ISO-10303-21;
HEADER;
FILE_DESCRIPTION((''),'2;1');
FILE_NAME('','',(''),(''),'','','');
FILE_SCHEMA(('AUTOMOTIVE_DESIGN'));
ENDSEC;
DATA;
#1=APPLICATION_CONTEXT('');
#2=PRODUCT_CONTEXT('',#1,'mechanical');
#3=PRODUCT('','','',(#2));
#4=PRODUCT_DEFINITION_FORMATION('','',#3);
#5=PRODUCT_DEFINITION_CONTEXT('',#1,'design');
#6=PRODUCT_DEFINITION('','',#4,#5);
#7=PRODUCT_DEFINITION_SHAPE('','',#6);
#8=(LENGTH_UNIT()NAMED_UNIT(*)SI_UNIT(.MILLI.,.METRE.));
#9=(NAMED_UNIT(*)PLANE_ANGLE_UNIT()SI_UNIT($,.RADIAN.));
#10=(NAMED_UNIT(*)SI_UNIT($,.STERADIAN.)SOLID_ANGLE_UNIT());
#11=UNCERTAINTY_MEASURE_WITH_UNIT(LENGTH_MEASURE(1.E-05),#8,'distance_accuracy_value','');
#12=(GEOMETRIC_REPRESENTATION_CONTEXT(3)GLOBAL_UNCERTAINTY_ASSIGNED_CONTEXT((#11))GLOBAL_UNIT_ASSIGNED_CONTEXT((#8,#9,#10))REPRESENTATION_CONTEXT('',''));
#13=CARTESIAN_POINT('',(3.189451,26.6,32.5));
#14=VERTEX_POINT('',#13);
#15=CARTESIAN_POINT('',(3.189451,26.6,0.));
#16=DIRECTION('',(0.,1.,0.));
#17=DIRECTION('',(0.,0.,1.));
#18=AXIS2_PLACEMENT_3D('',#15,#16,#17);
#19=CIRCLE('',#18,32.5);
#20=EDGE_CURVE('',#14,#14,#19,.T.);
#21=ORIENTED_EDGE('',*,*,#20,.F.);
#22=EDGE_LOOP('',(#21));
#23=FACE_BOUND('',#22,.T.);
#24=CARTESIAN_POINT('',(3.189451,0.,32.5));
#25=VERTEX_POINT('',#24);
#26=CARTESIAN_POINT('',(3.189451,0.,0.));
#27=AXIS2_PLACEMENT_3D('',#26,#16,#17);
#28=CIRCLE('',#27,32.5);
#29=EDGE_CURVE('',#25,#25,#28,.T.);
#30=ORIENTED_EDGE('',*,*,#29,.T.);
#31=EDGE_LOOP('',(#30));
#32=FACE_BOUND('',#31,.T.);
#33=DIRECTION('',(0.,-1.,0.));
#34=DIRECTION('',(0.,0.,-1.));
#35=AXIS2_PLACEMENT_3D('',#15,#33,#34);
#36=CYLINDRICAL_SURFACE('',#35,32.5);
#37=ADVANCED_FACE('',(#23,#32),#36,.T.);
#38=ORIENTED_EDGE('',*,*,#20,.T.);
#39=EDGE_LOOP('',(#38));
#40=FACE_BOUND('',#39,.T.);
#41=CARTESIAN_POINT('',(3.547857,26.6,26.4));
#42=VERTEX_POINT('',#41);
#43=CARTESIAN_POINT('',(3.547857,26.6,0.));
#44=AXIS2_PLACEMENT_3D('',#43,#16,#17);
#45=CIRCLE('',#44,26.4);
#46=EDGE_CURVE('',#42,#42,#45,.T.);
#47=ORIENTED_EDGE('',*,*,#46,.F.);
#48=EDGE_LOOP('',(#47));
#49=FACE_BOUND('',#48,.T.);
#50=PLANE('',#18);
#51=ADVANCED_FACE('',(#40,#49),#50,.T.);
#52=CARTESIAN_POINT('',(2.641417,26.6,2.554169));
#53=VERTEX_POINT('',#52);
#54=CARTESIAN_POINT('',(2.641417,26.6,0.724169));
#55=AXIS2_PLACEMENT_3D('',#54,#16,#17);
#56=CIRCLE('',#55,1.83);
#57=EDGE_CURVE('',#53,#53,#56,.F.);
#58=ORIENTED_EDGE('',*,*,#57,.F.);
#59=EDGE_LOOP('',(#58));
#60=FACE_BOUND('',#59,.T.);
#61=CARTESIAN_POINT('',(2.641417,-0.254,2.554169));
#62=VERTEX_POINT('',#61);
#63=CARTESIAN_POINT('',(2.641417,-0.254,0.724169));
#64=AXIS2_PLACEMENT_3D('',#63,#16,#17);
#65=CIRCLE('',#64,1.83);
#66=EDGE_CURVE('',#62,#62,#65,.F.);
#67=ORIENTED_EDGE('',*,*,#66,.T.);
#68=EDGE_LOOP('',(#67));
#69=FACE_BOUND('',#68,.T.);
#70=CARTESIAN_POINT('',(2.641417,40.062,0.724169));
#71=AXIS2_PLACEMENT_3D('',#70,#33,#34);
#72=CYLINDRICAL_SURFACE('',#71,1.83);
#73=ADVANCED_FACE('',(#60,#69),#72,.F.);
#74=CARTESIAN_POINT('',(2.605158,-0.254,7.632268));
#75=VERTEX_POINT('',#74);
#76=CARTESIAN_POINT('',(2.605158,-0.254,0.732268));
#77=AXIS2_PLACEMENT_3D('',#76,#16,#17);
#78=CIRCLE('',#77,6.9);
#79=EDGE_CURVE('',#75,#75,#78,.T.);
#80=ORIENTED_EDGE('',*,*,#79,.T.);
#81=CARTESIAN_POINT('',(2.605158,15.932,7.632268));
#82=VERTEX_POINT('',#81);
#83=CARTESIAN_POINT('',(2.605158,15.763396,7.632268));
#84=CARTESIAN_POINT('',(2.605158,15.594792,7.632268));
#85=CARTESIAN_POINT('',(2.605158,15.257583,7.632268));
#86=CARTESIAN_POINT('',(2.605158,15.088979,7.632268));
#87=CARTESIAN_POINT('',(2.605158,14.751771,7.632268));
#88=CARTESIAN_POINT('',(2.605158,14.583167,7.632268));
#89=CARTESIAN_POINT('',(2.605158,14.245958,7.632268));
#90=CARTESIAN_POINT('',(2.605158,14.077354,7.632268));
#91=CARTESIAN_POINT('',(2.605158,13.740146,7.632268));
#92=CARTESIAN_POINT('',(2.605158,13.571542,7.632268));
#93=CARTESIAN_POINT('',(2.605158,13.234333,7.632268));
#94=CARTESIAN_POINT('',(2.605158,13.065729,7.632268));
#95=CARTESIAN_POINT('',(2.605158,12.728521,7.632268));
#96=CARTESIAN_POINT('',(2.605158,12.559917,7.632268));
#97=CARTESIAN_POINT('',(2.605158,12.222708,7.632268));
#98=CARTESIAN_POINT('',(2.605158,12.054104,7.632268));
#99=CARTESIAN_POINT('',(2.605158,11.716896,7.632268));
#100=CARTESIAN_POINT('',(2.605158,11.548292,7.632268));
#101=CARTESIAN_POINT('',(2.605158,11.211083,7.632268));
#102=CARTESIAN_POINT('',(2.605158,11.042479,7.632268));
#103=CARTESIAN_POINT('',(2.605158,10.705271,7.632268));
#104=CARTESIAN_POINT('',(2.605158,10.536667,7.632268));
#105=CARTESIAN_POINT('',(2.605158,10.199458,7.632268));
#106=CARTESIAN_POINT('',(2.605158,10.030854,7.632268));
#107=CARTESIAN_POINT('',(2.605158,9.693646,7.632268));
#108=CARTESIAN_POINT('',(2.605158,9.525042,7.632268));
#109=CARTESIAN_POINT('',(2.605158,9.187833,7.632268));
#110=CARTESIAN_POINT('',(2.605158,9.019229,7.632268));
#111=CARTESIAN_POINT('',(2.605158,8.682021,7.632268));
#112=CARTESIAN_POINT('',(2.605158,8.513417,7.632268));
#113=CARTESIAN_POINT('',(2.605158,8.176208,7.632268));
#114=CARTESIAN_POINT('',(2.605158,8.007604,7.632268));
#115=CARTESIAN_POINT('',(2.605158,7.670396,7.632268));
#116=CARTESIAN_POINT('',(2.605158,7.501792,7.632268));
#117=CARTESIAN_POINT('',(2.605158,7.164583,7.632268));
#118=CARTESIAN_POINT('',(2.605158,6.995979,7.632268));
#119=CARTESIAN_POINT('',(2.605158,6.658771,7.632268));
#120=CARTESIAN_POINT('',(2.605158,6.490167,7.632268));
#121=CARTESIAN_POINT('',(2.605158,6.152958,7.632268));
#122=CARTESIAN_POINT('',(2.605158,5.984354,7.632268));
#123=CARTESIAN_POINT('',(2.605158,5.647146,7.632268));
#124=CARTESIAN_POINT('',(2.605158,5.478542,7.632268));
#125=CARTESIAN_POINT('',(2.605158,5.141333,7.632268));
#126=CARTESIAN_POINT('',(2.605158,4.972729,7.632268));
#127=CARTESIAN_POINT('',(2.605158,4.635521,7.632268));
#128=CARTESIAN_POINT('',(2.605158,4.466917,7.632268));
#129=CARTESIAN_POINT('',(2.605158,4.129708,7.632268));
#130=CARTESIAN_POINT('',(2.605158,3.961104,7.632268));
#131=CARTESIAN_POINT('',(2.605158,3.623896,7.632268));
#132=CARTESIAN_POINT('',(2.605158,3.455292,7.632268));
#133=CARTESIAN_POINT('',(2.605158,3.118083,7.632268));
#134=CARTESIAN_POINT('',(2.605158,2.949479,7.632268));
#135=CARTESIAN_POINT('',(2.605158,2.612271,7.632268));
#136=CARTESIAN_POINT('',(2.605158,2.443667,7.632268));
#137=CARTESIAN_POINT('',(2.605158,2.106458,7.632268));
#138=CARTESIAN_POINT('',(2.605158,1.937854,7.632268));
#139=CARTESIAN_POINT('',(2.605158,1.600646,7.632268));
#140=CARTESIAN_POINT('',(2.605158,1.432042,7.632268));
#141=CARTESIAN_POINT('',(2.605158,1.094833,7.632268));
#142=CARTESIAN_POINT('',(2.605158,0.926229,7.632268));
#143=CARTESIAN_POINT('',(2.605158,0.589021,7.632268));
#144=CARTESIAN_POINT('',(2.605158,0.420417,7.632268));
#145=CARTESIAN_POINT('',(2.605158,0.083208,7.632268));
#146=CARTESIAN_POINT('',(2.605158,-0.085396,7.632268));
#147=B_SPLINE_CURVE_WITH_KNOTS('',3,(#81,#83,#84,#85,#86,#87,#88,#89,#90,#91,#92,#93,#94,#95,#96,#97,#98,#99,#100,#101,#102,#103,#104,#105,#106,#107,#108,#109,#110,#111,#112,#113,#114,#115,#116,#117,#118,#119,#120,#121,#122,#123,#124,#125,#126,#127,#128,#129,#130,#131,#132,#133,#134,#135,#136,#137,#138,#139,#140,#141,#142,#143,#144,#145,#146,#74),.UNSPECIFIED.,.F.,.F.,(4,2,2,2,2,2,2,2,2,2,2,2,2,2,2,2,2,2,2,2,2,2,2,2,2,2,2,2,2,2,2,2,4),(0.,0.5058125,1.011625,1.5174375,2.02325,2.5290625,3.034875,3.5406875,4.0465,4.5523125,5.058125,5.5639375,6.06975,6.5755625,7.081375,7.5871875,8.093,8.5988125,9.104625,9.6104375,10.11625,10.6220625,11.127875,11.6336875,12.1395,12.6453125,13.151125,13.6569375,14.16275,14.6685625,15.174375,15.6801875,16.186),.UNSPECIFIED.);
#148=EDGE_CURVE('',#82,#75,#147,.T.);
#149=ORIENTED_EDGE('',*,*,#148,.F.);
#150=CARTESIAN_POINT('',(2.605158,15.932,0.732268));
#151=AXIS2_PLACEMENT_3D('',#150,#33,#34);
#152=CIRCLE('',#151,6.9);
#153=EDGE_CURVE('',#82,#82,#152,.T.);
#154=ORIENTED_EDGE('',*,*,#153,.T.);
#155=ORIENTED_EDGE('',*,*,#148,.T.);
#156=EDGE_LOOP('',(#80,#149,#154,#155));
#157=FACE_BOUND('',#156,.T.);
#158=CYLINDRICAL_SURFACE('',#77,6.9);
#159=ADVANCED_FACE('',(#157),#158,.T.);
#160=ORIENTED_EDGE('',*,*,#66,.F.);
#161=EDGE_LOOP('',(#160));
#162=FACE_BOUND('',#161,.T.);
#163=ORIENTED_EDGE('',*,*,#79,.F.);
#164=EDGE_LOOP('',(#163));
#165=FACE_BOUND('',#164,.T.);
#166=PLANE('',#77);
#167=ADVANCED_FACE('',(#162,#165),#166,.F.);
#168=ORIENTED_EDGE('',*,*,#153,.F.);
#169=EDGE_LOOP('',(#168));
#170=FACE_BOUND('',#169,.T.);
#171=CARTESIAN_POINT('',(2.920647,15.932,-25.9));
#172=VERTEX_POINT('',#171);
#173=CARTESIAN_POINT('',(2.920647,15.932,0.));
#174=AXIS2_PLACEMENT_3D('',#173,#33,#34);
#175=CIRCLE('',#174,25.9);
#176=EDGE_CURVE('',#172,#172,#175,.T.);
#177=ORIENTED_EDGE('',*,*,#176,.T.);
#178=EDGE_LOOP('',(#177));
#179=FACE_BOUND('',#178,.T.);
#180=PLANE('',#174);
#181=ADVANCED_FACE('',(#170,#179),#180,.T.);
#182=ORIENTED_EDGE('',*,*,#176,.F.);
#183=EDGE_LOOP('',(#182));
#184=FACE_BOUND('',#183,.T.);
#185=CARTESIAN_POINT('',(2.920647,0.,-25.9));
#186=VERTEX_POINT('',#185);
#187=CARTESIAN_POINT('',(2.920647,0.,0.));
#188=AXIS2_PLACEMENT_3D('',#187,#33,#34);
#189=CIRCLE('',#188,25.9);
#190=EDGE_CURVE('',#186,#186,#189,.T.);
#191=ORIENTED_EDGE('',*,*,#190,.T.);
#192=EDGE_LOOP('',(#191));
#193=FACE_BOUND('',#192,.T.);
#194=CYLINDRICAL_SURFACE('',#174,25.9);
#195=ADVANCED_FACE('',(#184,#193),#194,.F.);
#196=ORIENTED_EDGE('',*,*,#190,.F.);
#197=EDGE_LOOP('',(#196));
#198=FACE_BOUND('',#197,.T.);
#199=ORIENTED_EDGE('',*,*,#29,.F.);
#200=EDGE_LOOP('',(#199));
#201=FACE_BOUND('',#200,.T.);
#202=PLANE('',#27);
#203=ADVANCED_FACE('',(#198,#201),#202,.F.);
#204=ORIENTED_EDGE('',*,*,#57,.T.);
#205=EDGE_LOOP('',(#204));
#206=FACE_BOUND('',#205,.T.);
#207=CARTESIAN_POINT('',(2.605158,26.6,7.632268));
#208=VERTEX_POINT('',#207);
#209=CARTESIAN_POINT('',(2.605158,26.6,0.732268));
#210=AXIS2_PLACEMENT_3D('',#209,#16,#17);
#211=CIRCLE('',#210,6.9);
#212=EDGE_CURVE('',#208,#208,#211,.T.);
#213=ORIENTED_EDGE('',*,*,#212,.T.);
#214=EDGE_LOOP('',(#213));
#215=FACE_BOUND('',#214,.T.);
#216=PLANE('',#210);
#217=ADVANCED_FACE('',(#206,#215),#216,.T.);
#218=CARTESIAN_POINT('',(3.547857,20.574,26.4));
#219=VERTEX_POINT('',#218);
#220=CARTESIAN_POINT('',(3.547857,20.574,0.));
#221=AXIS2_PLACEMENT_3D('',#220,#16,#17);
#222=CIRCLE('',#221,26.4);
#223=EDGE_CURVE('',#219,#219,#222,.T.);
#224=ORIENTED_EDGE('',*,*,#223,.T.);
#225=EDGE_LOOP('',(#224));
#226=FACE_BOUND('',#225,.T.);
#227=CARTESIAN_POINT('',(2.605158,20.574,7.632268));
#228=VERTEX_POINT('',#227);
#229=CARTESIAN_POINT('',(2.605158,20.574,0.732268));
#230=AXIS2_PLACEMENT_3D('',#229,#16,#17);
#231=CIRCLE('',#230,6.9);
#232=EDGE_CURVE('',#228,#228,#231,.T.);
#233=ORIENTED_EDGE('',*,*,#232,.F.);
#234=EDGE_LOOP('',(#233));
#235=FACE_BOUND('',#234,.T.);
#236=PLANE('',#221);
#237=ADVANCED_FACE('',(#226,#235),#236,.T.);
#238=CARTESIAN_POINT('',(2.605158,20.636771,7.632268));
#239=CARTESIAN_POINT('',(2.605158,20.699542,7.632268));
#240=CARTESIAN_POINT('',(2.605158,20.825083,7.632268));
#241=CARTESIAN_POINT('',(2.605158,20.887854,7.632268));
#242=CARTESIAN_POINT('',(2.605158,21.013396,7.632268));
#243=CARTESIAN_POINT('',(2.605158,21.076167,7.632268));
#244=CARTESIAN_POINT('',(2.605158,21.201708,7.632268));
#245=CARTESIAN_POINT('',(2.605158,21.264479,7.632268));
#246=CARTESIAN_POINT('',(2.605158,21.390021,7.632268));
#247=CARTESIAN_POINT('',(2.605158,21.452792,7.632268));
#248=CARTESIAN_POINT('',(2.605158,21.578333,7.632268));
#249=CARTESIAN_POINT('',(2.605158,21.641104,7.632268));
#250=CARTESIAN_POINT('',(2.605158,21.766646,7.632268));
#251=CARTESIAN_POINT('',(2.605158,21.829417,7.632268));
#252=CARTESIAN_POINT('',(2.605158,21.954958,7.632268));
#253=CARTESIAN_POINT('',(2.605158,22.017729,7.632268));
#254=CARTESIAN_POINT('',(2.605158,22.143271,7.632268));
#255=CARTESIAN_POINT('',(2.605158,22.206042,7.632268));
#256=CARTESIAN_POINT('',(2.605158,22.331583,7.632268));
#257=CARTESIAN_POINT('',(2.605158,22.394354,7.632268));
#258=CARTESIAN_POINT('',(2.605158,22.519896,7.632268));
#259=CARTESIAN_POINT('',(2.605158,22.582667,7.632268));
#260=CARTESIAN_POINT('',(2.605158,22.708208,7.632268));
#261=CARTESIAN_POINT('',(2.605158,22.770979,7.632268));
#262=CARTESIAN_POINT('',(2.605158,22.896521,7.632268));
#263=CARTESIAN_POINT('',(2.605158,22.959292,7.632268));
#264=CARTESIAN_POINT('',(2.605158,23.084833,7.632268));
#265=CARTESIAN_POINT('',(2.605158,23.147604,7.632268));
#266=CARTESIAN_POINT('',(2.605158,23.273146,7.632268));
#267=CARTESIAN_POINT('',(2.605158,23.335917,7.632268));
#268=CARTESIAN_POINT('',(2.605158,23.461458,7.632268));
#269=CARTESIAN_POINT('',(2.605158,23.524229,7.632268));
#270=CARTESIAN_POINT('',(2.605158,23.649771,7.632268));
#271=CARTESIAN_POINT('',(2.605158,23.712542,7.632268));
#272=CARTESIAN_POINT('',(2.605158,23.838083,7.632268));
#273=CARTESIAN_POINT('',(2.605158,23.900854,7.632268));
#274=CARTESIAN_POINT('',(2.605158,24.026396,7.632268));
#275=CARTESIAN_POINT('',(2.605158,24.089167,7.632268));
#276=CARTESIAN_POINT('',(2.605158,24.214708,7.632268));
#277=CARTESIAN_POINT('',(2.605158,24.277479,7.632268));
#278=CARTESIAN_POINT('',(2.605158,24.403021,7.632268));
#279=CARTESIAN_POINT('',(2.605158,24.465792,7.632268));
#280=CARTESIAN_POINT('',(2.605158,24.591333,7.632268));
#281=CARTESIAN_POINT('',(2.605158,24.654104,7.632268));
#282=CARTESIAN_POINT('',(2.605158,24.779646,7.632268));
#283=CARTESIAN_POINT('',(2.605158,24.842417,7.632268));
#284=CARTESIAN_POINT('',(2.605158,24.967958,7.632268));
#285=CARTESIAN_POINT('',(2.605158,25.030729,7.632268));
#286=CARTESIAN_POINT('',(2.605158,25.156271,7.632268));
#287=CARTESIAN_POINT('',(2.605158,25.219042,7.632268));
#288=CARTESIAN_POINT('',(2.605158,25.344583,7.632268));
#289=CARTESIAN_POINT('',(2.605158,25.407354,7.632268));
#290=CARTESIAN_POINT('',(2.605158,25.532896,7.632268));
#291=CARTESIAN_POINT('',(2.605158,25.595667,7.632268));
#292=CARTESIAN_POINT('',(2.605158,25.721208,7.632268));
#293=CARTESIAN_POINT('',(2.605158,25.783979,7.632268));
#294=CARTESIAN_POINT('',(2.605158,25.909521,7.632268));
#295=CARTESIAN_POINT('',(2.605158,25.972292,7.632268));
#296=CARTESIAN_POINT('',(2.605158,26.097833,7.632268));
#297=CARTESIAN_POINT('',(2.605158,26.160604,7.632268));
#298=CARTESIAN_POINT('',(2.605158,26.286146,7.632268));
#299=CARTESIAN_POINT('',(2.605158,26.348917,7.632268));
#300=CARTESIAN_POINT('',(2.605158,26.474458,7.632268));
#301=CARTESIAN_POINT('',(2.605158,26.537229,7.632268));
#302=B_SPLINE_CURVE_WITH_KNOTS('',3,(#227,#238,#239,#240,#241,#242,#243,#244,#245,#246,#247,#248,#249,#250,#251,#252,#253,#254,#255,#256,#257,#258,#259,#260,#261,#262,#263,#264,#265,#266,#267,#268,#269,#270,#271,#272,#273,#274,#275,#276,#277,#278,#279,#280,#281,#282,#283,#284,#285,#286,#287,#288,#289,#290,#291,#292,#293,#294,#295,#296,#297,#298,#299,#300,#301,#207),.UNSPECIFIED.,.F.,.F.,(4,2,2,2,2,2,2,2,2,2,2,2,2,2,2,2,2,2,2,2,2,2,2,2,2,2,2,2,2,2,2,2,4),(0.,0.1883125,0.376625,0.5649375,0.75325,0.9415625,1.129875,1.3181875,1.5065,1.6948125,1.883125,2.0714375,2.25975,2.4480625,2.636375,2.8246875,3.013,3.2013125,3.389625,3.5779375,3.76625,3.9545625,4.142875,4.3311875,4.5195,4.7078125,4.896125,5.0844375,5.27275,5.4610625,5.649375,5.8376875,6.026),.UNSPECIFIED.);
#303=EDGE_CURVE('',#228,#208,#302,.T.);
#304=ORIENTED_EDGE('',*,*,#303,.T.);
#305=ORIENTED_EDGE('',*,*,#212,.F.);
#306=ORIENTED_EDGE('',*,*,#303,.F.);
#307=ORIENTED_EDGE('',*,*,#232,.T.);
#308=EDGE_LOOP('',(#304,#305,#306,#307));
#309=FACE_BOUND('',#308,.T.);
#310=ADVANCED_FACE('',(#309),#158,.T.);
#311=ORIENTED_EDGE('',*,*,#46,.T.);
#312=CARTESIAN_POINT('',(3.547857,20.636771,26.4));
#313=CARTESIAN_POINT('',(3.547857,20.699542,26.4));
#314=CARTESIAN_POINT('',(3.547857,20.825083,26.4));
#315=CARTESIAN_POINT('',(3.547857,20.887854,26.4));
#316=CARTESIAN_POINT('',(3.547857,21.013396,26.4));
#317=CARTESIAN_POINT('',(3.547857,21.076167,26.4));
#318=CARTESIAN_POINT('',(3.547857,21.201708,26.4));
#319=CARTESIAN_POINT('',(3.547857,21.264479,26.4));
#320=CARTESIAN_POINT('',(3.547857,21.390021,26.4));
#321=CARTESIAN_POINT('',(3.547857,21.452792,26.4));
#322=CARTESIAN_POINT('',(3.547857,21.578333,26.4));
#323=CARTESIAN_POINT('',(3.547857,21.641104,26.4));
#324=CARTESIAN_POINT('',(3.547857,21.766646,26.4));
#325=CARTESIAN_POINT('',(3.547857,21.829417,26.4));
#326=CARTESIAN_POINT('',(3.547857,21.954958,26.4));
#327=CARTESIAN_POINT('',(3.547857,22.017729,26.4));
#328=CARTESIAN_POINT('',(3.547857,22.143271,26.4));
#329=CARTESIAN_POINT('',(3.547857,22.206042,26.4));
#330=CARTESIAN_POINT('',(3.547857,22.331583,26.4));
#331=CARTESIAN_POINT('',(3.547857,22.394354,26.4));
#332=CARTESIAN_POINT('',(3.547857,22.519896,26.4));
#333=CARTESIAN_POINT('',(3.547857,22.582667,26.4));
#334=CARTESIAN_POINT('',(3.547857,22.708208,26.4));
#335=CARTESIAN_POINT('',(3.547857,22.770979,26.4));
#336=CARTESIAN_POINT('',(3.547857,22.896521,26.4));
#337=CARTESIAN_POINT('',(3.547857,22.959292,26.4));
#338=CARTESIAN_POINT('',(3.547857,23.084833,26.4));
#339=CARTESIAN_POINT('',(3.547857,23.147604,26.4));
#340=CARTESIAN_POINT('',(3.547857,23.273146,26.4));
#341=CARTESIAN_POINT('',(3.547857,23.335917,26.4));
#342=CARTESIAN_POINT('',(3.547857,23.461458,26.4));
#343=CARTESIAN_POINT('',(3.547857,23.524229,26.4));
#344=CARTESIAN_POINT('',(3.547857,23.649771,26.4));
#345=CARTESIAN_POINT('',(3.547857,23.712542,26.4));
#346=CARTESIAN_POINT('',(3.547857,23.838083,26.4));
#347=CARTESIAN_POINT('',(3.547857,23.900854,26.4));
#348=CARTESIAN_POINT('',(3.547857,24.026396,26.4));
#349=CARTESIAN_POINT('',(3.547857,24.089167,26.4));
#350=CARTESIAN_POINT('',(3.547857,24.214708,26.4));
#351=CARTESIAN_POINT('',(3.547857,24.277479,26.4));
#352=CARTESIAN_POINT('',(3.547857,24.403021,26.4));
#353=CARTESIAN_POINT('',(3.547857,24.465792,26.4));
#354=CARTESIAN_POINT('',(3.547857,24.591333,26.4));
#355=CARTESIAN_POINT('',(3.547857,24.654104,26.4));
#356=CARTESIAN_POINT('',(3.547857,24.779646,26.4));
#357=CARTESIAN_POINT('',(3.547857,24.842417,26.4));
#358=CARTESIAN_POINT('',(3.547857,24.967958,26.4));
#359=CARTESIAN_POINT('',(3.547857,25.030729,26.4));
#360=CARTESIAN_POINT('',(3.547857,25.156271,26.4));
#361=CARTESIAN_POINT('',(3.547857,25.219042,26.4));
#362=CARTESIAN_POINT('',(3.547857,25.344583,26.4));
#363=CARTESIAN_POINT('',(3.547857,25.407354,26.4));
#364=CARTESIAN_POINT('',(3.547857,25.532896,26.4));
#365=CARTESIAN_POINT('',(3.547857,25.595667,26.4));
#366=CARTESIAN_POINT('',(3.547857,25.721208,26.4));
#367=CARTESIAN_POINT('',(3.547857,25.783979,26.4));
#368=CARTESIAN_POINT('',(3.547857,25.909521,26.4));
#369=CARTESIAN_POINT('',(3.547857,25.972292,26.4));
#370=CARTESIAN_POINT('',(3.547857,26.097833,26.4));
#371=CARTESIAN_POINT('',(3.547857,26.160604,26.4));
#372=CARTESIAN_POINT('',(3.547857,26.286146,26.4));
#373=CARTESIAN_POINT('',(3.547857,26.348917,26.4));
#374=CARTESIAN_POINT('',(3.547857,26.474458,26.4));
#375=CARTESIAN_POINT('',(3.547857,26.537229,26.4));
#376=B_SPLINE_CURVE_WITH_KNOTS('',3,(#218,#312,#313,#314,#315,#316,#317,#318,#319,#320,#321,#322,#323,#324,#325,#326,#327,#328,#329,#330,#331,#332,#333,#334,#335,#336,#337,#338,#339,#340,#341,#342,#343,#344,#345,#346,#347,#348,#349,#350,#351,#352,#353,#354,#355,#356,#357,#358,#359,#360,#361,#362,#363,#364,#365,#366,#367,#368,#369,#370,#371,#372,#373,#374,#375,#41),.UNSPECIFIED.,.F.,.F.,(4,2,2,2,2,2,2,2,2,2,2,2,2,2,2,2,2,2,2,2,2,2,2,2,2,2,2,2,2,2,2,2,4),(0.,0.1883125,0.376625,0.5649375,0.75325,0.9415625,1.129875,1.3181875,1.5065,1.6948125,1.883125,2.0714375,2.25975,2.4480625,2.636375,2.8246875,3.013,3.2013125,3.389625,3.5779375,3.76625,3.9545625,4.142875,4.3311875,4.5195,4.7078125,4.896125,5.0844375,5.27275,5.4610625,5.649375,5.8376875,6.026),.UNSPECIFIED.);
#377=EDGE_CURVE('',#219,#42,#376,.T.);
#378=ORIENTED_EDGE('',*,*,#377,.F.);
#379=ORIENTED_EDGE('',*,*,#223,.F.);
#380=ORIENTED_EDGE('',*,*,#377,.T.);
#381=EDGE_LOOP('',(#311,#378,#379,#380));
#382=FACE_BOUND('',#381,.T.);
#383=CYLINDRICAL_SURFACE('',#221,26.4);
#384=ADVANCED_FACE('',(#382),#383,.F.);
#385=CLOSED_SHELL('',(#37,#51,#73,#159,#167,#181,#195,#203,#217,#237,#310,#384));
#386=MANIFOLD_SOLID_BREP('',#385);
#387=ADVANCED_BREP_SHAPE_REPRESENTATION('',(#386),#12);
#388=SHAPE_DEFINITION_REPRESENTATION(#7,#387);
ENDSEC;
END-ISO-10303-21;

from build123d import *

# Parameters (mm, degrees)
SKETCH1_R                = 32.5
BOSS_EXTRUDE1_DEPTH      = 26.6
SKETCH2_R                = 26.4
CUT_EXTRUDE1_DEPTH       = 6.026
SKETCH5_R                = 25.9
CUT_EXTRUDE2_DEPTH       = 15.932
BOSS_EXTRUDE2_DEPTH      = 6.026
BOSS_EXTRUDE2_DEPTH_BACK = 20.828
SKETCH6_R                = 6.9
CUT_EXTRUDE3_DEPTH       = 13.462
CUT_EXTRUDE3_DEPTH_BACK  = 49.714
SKETCH7_R                = 1.83


with BuildPart() as part:
    # Sketch1 → Boss-Extrude1 (new body)
    with BuildSketch(Plane(origin=(0, 0, 0), x_dir=(1, 0, 0), z_dir=(0, 1, 0))):
        with Locations(Location((3.189451159, 0, 0), (0, 0, 270))):
            Circle(SKETCH1_R)
    extrude(amount=BOSS_EXTRUDE1_DEPTH)

    # Sketch2 → Cut-Extrude1 (cut)
    with BuildSketch(Plane(origin=(0, 26.6, 0), x_dir=(1, 0, 0), z_dir=(0, 1, 0))):
        with Locations(Location((3.547856728, 0, 0), (0, 0, 270))):
            Circle(SKETCH2_R)
    extrude(amount=-CUT_EXTRUDE1_DEPTH, mode=Mode.SUBTRACT)

    # Sketch5 → Cut-Extrude2 (cut)
    with BuildSketch(Plane.XZ):
        with Locations(Location((2.920646982, 0, 0), (0, 0, 270))):
            Circle(SKETCH5_R)
    extrude(amount=-CUT_EXTRUDE2_DEPTH, mode=Mode.SUBTRACT)

    # Sketch6 → Boss-Extrude2 (add, two sides: drawn at the far end of the back side and taken through both)
    with BuildSketch(Plane(origin=(0, 20.574, 0), x_dir=(1, 0, 0), z_dir=(0, 1, 0)).offset(-BOSS_EXTRUDE2_DEPTH_BACK)):
        with Locations(Location((2.605158488, -0.732268174, 0), (0, 0, 270))):
            Circle(SKETCH6_R)
    extrude(amount=BOSS_EXTRUDE2_DEPTH + BOSS_EXTRUDE2_DEPTH_BACK)

    # Sketch7 → Cut-Extrude3 (cut, two sides: drawn at the far end of the back side and taken through both)
    with BuildSketch(Plane(origin=(0, 26.6, 0), x_dir=(1, 0, 0), z_dir=(0, 1, 0)).offset(-CUT_EXTRUDE3_DEPTH_BACK)):
        with Locations(Location((2.641417448, -0.724168536, 0), (0, 0, 270))):
            Circle(SKETCH7_R)
    extrude(amount=CUT_EXTRUDE3_DEPTH + CUT_EXTRUDE3_DEPTH_BACK, mode=Mode.SUBTRACT)


solid = part.part
